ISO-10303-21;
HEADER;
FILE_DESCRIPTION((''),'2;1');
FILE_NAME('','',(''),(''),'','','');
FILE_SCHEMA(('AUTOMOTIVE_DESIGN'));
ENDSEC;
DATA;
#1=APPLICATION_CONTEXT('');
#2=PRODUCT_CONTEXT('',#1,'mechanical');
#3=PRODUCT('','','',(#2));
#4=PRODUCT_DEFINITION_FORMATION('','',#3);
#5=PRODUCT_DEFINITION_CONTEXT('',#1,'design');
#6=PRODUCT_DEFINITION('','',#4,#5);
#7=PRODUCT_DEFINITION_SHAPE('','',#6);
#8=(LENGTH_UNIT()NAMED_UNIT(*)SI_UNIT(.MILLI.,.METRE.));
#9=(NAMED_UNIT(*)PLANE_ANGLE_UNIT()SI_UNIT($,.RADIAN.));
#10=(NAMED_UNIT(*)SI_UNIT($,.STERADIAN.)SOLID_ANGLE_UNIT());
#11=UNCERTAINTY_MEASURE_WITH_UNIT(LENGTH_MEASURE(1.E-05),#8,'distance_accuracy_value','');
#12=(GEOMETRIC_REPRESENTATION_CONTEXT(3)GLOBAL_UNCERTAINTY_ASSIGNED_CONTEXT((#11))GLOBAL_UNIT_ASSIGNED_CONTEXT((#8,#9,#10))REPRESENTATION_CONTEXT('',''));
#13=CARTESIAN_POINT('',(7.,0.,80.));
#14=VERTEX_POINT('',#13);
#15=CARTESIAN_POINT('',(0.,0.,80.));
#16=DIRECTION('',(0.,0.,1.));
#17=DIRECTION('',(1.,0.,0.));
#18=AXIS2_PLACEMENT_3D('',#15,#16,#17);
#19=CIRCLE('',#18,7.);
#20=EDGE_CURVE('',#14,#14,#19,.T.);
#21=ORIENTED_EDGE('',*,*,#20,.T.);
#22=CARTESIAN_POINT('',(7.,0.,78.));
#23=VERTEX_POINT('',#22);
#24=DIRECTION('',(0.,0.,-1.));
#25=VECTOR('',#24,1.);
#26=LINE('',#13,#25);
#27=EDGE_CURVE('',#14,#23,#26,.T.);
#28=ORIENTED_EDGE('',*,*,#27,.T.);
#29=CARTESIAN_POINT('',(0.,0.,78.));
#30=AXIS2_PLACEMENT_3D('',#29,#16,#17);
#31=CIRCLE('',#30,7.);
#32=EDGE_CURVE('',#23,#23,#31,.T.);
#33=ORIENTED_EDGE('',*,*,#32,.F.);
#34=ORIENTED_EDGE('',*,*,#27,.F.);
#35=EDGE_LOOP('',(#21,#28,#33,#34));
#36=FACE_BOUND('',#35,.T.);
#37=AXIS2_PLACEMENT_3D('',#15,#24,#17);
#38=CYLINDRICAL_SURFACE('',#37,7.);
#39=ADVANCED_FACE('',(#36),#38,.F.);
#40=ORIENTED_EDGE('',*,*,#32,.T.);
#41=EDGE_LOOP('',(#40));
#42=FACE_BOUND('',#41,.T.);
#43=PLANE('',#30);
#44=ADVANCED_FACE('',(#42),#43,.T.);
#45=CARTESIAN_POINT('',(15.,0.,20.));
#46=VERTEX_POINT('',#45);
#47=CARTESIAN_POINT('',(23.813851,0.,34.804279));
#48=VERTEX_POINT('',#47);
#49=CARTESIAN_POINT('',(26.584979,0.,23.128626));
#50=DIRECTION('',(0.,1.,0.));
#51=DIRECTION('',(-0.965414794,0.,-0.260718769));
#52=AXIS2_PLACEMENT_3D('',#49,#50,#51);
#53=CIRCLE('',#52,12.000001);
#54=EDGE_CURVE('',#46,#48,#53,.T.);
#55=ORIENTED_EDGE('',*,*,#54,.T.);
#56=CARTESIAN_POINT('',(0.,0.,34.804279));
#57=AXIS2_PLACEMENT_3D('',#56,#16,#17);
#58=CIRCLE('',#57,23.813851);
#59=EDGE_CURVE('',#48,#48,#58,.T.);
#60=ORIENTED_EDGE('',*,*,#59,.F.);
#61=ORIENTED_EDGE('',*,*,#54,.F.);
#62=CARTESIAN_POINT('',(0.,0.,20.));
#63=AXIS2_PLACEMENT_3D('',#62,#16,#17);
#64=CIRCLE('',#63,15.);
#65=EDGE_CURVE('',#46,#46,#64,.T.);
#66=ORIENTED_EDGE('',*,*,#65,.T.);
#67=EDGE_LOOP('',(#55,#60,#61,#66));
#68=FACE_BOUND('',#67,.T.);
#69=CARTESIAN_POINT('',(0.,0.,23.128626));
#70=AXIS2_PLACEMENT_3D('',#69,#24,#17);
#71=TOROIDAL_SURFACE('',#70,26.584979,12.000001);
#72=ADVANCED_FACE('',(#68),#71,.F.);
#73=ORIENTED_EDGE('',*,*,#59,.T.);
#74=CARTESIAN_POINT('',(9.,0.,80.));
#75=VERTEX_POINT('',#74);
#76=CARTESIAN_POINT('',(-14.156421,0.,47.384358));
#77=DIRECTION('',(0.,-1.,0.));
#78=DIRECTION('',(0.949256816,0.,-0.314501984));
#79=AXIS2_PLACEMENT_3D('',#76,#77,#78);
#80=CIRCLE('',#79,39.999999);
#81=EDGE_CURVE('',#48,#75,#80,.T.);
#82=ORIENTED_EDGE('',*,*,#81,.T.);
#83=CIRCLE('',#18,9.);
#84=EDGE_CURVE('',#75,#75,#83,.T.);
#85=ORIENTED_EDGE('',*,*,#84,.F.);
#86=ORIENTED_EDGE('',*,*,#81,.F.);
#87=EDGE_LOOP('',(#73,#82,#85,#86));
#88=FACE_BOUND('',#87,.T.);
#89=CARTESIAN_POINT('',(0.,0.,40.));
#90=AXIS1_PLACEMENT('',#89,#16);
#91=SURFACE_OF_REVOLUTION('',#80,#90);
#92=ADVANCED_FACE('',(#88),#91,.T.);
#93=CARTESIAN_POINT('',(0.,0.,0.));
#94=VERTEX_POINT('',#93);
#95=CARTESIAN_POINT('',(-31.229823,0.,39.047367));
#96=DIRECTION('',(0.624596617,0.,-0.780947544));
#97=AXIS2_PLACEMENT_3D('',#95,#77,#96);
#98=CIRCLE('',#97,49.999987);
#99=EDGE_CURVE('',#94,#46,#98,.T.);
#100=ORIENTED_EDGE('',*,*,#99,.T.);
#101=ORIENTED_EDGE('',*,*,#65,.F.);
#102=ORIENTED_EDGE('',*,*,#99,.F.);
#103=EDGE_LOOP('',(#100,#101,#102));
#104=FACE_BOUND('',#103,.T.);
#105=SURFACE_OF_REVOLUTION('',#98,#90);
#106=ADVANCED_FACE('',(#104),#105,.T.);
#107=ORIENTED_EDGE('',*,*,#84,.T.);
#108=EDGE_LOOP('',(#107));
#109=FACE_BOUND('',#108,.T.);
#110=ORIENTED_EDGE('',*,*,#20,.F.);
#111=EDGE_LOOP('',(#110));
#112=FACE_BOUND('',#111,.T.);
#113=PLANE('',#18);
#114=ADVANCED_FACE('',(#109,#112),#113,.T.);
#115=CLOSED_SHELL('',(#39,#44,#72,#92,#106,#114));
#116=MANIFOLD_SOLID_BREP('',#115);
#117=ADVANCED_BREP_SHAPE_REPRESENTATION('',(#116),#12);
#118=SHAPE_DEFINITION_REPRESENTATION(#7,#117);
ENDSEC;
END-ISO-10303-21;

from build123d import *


with BuildPart() as f1:
    # F0 (on Front) → F1 (revolve)
    with BuildSketch(Plane.XZ):
        with BuildLine():
            Line((0, 40), (0, 34.804279))
            Line((0, 34.804279), (23.813851, 34.804279))
            ThreePointArc((23.813851, 34.804279), (23.85386, 59.843029), (9, 80))
            Line((9, 80), (7, 80))
            Line((7, 80), (7, 78))
            Line((7, 78), (0, 78))
            Line((0, 78), (0, 40))
        make_face()
        with BuildLine():
            Line((0, 34.804279), (0, 20))
            Line((0, 20), (15, 20))
            ThreePointArc((15, 20), (16.274008, 29.267348), (23.813851, 34.804279))
            Line((23.813851, 34.804279), (0, 34.804279))
        make_face()
        with BuildLine():
            Line((0, 20), (0, 0))
            ThreePointArc((0, 0), (8.770167, 9.047375), (15, 20))
            Line((15, 20), (0, 20))
        make_face()
    revolve(axis=Axis((0, 0, 40), (0, 0, 1)))


solid = f1.part
